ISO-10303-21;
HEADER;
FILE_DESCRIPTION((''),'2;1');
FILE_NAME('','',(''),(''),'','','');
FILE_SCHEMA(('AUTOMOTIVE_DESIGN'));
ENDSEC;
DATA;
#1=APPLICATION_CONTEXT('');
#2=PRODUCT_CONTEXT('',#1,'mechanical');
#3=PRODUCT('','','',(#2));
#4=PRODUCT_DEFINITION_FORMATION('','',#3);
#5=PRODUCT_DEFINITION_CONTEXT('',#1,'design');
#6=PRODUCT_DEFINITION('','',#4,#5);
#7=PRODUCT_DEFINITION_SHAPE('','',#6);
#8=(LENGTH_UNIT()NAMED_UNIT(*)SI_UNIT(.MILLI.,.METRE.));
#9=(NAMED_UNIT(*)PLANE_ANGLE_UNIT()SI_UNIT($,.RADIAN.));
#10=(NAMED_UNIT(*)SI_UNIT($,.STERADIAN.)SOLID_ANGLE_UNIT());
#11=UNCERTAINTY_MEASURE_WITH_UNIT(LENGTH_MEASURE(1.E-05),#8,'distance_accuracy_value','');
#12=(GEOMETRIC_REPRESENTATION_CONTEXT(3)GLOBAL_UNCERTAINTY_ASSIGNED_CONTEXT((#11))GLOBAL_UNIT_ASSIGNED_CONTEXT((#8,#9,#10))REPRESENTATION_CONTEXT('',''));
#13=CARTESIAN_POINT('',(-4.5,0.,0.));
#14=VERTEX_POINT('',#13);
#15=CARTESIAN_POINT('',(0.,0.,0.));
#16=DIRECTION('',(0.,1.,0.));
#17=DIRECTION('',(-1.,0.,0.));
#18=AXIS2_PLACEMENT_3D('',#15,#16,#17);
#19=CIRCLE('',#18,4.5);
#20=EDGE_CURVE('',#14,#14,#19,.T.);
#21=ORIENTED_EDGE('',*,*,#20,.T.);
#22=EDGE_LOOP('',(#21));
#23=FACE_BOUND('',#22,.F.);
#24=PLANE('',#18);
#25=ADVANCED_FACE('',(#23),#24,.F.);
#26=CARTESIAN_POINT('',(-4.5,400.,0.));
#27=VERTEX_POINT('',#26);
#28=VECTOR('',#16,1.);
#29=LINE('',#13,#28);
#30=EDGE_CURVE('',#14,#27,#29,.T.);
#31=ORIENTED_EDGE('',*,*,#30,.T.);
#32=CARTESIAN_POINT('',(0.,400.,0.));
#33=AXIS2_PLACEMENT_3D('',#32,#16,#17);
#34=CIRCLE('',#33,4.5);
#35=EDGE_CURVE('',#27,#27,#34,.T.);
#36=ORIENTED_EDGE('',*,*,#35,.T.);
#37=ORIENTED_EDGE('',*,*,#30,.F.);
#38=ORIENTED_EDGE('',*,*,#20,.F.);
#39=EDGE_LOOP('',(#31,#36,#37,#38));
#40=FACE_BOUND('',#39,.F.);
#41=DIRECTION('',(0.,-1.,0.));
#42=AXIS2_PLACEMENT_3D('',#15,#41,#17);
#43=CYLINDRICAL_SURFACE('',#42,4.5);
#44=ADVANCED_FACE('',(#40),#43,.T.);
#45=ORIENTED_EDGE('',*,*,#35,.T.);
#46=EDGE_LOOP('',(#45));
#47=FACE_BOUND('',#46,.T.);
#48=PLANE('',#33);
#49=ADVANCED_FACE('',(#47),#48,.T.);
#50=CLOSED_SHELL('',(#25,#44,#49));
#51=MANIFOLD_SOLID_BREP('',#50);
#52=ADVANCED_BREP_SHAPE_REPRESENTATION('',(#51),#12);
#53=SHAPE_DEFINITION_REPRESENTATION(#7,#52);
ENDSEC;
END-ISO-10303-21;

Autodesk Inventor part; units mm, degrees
ref_plane "YZ Plane" through (0, 0, 0) normal (1, 0, 0) x (0, 1, 0)
ref_plane "XZ Plane" through (0, 0, 0) normal (0, 1, 0) x (-1, 0, 0)
ref_plane "XY Plane" through (0, 0, 0) normal (0, 0, 1) x (1, 0, 0)
sketch "Sketch1" plane through (0, 0, 0) normal (0, 1, 0) x (-1, 0, 0)
  circle A0 centre (0, 0) radius 4.5
  dimension "d0" = 9
extrude "Extrusion1" add sketch "Sketch1" along normal blind 400
thread "Thread2" size "M9x1.25" class "6g" standard "ANSI Metric M Profile" full length
properties part number "ThreadBar90"
